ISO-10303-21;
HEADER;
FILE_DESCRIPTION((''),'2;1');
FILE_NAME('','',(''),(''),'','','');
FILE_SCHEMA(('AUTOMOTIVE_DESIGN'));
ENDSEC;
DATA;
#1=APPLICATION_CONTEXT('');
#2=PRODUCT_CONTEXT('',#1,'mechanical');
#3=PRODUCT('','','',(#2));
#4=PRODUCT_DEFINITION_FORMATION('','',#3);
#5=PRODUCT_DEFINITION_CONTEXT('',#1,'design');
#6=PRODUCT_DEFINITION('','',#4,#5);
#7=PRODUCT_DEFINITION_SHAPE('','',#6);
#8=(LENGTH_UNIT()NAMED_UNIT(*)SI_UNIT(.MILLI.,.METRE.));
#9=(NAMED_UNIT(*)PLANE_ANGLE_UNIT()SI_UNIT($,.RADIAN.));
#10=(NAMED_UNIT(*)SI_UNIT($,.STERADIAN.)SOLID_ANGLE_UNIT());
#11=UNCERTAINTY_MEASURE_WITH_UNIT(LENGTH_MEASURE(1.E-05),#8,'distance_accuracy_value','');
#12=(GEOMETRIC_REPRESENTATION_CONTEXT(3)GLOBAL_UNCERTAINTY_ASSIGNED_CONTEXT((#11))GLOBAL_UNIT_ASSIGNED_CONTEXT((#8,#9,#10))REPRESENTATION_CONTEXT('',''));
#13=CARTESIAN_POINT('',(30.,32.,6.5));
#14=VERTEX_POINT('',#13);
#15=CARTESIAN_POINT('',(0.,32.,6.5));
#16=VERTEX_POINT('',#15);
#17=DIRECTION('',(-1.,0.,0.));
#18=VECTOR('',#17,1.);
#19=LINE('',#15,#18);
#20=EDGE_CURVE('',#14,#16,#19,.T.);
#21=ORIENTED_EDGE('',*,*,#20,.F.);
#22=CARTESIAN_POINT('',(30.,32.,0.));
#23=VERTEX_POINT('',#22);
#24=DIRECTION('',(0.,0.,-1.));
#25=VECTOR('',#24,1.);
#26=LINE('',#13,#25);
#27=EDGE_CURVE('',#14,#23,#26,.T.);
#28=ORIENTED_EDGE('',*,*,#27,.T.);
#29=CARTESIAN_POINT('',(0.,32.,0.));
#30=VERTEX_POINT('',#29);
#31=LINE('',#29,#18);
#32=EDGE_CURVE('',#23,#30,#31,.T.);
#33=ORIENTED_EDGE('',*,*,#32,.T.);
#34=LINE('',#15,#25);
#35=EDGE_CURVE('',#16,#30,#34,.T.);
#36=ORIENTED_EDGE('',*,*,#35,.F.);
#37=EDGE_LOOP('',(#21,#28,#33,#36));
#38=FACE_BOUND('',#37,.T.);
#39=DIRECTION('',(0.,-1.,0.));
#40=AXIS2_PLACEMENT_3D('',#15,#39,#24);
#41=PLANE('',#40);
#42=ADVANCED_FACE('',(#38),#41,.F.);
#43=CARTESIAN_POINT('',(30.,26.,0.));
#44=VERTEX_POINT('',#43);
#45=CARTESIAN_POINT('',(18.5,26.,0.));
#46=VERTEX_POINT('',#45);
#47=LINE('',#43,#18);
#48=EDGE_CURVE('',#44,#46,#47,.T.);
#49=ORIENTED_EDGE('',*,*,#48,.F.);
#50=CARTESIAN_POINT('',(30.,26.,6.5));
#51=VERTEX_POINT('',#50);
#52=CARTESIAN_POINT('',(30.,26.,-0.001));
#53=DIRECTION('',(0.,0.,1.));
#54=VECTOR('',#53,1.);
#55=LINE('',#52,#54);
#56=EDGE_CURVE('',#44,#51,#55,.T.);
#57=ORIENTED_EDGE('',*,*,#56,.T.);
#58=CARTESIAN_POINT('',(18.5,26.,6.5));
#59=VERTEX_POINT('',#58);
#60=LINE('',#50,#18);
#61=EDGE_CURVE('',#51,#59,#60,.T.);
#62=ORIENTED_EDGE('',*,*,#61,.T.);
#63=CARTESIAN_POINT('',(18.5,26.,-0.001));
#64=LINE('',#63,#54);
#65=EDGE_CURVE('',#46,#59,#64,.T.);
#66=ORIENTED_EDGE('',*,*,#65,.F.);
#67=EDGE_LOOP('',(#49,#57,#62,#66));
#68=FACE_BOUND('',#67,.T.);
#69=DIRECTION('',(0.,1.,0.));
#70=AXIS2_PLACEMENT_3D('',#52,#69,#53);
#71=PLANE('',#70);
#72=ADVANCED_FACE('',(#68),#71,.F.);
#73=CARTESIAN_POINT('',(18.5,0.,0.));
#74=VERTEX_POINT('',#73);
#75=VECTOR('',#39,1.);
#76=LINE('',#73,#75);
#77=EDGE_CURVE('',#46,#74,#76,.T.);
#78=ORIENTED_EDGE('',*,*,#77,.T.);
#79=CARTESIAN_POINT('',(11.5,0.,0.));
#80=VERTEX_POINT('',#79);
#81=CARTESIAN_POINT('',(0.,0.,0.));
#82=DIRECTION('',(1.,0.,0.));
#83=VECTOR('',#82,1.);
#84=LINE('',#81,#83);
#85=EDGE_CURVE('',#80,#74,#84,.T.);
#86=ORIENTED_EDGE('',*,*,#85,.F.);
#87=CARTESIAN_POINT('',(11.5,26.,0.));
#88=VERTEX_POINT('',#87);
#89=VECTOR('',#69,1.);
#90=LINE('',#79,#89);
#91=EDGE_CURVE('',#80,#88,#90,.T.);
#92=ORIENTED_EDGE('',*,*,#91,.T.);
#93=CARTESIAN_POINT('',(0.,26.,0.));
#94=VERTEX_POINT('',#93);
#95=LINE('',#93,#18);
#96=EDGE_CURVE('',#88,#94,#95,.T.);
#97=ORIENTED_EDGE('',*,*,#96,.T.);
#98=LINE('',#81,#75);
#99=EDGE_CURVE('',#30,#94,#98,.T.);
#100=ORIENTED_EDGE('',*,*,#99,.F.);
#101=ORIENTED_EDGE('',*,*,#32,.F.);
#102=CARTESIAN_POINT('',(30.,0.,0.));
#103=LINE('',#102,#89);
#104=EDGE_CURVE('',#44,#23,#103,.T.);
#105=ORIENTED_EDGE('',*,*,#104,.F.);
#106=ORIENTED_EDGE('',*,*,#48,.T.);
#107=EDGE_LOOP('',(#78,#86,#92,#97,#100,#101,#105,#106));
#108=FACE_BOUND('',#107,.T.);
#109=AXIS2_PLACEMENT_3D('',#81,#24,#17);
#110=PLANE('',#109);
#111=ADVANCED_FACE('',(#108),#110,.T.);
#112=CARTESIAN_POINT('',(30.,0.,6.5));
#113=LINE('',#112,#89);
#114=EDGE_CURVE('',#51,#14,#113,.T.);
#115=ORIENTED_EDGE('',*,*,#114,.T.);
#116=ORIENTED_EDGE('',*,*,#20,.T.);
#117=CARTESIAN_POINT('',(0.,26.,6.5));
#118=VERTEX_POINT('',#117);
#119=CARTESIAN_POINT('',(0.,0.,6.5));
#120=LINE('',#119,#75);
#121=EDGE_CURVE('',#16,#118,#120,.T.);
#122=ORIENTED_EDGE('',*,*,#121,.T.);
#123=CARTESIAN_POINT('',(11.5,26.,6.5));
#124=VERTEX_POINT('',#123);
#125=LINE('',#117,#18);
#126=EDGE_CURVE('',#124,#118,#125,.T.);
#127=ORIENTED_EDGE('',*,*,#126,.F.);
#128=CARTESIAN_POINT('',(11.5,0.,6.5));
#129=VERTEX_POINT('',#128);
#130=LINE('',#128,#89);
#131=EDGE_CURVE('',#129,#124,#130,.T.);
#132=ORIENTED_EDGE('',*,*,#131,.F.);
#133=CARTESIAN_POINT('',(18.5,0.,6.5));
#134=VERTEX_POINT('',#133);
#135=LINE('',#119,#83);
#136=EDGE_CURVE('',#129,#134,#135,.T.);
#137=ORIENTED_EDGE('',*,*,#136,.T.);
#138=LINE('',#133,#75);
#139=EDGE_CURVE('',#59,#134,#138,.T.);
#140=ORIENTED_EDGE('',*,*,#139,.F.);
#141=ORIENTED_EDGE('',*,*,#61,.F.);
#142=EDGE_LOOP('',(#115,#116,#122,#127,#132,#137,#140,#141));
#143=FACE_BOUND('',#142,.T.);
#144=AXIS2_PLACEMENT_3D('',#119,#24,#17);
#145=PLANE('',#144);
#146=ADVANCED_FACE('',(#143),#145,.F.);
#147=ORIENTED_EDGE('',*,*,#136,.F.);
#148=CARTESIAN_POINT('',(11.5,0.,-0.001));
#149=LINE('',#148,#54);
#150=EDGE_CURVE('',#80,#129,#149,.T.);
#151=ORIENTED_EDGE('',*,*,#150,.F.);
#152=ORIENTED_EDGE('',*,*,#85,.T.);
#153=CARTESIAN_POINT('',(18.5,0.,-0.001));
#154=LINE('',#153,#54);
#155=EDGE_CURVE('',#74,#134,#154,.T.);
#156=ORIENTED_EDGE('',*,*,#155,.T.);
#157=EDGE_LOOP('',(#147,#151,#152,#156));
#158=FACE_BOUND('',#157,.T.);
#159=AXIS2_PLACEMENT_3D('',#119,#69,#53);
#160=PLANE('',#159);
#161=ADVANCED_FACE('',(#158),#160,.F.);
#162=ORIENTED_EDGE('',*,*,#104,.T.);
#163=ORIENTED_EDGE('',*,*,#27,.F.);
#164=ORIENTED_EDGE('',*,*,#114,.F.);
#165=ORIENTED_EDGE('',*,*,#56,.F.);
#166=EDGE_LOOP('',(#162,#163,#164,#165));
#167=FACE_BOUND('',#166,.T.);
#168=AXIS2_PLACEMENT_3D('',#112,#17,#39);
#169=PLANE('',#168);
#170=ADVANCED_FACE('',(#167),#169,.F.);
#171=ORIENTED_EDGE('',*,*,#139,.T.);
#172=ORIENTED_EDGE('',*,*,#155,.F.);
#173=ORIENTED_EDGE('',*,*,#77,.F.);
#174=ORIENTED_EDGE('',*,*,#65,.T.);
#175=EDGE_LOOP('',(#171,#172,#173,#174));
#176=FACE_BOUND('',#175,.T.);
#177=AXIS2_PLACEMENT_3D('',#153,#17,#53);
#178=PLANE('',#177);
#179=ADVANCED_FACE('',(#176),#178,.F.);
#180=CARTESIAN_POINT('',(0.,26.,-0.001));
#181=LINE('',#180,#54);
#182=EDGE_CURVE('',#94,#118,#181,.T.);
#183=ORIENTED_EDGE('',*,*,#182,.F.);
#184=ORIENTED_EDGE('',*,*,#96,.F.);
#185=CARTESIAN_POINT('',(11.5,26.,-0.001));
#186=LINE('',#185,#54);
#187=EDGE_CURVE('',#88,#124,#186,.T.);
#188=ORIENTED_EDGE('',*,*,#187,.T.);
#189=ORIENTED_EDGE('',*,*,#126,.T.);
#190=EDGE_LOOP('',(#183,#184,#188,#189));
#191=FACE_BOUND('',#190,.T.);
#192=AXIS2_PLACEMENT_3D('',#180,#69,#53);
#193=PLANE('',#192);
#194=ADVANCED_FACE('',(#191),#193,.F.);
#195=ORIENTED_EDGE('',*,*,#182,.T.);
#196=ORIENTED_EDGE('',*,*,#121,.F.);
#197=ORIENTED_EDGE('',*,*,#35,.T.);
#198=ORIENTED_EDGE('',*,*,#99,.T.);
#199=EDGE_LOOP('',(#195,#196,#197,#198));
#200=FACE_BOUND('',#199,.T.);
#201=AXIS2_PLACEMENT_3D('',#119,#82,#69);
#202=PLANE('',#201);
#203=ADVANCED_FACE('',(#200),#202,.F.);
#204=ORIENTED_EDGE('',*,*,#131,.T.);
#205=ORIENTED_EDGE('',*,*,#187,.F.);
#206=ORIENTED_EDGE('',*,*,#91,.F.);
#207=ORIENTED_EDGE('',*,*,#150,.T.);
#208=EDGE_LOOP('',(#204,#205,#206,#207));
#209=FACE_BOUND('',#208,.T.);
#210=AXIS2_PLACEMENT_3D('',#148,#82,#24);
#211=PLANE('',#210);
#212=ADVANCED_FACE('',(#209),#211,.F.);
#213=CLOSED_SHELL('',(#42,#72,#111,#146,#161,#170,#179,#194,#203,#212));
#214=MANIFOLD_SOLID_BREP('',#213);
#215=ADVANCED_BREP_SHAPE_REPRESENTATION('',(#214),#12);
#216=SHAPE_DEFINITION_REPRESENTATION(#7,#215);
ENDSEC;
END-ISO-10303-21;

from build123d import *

# Parameters (mm, degrees)
SKETCH1_W           = 30
SKETCH1_H           = 32
BOSS_EXTRUDE1_DEPTH = 6.5
CUT_EXTRUDE1_REACH  = 46.342
SKETCH2_W           = 11.5
SKETCH2_H           = 26


with BuildPart() as part:
    # Sketch1 → Boss-Extrude1 (new body)
    with BuildSketch(Plane.XY):
        with Locations((15, 16)):
            Rectangle(SKETCH1_W, SKETCH1_H)
    extrude(amount=BOSS_EXTRUDE1_DEPTH)

    # Sketch2 → Cut-Extrude1 (cut, up to next)
    with BuildSketch(Plane.XY.offset(6.5), mode=Mode.PRIVATE) as cut_extrude1_sk1:
        with Locations((5.75, 13)):
            Rectangle(SKETCH2_W, SKETCH2_H)
    cut_extrude1_tool1 = extrude(cut_extrude1_sk1.sketch, amount=-CUT_EXTRUDE1_REACH, mode=Mode.PRIVATE) & part.part
    # Sketch2 → Cut-Extrude1 (cut, up to next)
    with BuildSketch(Plane.XY.offset(6.5), mode=Mode.PRIVATE) as cut_extrude1_sk2:
        with Locations((24.25, 13)):
            Rectangle(SKETCH2_W, SKETCH2_H)
    cut_extrude1_tool2 = extrude(cut_extrude1_sk2.sketch, amount=-CUT_EXTRUDE1_REACH, mode=Mode.PRIVATE) & part.part
    add(cut_extrude1_tool1.solids().sort_by_distance((5.75, 13, 6.5))[0], mode=Mode.SUBTRACT)
    add(cut_extrude1_tool2.solids().sort_by_distance((24.25, 13, 6.5))[0], mode=Mode.SUBTRACT)


solid = part.part
